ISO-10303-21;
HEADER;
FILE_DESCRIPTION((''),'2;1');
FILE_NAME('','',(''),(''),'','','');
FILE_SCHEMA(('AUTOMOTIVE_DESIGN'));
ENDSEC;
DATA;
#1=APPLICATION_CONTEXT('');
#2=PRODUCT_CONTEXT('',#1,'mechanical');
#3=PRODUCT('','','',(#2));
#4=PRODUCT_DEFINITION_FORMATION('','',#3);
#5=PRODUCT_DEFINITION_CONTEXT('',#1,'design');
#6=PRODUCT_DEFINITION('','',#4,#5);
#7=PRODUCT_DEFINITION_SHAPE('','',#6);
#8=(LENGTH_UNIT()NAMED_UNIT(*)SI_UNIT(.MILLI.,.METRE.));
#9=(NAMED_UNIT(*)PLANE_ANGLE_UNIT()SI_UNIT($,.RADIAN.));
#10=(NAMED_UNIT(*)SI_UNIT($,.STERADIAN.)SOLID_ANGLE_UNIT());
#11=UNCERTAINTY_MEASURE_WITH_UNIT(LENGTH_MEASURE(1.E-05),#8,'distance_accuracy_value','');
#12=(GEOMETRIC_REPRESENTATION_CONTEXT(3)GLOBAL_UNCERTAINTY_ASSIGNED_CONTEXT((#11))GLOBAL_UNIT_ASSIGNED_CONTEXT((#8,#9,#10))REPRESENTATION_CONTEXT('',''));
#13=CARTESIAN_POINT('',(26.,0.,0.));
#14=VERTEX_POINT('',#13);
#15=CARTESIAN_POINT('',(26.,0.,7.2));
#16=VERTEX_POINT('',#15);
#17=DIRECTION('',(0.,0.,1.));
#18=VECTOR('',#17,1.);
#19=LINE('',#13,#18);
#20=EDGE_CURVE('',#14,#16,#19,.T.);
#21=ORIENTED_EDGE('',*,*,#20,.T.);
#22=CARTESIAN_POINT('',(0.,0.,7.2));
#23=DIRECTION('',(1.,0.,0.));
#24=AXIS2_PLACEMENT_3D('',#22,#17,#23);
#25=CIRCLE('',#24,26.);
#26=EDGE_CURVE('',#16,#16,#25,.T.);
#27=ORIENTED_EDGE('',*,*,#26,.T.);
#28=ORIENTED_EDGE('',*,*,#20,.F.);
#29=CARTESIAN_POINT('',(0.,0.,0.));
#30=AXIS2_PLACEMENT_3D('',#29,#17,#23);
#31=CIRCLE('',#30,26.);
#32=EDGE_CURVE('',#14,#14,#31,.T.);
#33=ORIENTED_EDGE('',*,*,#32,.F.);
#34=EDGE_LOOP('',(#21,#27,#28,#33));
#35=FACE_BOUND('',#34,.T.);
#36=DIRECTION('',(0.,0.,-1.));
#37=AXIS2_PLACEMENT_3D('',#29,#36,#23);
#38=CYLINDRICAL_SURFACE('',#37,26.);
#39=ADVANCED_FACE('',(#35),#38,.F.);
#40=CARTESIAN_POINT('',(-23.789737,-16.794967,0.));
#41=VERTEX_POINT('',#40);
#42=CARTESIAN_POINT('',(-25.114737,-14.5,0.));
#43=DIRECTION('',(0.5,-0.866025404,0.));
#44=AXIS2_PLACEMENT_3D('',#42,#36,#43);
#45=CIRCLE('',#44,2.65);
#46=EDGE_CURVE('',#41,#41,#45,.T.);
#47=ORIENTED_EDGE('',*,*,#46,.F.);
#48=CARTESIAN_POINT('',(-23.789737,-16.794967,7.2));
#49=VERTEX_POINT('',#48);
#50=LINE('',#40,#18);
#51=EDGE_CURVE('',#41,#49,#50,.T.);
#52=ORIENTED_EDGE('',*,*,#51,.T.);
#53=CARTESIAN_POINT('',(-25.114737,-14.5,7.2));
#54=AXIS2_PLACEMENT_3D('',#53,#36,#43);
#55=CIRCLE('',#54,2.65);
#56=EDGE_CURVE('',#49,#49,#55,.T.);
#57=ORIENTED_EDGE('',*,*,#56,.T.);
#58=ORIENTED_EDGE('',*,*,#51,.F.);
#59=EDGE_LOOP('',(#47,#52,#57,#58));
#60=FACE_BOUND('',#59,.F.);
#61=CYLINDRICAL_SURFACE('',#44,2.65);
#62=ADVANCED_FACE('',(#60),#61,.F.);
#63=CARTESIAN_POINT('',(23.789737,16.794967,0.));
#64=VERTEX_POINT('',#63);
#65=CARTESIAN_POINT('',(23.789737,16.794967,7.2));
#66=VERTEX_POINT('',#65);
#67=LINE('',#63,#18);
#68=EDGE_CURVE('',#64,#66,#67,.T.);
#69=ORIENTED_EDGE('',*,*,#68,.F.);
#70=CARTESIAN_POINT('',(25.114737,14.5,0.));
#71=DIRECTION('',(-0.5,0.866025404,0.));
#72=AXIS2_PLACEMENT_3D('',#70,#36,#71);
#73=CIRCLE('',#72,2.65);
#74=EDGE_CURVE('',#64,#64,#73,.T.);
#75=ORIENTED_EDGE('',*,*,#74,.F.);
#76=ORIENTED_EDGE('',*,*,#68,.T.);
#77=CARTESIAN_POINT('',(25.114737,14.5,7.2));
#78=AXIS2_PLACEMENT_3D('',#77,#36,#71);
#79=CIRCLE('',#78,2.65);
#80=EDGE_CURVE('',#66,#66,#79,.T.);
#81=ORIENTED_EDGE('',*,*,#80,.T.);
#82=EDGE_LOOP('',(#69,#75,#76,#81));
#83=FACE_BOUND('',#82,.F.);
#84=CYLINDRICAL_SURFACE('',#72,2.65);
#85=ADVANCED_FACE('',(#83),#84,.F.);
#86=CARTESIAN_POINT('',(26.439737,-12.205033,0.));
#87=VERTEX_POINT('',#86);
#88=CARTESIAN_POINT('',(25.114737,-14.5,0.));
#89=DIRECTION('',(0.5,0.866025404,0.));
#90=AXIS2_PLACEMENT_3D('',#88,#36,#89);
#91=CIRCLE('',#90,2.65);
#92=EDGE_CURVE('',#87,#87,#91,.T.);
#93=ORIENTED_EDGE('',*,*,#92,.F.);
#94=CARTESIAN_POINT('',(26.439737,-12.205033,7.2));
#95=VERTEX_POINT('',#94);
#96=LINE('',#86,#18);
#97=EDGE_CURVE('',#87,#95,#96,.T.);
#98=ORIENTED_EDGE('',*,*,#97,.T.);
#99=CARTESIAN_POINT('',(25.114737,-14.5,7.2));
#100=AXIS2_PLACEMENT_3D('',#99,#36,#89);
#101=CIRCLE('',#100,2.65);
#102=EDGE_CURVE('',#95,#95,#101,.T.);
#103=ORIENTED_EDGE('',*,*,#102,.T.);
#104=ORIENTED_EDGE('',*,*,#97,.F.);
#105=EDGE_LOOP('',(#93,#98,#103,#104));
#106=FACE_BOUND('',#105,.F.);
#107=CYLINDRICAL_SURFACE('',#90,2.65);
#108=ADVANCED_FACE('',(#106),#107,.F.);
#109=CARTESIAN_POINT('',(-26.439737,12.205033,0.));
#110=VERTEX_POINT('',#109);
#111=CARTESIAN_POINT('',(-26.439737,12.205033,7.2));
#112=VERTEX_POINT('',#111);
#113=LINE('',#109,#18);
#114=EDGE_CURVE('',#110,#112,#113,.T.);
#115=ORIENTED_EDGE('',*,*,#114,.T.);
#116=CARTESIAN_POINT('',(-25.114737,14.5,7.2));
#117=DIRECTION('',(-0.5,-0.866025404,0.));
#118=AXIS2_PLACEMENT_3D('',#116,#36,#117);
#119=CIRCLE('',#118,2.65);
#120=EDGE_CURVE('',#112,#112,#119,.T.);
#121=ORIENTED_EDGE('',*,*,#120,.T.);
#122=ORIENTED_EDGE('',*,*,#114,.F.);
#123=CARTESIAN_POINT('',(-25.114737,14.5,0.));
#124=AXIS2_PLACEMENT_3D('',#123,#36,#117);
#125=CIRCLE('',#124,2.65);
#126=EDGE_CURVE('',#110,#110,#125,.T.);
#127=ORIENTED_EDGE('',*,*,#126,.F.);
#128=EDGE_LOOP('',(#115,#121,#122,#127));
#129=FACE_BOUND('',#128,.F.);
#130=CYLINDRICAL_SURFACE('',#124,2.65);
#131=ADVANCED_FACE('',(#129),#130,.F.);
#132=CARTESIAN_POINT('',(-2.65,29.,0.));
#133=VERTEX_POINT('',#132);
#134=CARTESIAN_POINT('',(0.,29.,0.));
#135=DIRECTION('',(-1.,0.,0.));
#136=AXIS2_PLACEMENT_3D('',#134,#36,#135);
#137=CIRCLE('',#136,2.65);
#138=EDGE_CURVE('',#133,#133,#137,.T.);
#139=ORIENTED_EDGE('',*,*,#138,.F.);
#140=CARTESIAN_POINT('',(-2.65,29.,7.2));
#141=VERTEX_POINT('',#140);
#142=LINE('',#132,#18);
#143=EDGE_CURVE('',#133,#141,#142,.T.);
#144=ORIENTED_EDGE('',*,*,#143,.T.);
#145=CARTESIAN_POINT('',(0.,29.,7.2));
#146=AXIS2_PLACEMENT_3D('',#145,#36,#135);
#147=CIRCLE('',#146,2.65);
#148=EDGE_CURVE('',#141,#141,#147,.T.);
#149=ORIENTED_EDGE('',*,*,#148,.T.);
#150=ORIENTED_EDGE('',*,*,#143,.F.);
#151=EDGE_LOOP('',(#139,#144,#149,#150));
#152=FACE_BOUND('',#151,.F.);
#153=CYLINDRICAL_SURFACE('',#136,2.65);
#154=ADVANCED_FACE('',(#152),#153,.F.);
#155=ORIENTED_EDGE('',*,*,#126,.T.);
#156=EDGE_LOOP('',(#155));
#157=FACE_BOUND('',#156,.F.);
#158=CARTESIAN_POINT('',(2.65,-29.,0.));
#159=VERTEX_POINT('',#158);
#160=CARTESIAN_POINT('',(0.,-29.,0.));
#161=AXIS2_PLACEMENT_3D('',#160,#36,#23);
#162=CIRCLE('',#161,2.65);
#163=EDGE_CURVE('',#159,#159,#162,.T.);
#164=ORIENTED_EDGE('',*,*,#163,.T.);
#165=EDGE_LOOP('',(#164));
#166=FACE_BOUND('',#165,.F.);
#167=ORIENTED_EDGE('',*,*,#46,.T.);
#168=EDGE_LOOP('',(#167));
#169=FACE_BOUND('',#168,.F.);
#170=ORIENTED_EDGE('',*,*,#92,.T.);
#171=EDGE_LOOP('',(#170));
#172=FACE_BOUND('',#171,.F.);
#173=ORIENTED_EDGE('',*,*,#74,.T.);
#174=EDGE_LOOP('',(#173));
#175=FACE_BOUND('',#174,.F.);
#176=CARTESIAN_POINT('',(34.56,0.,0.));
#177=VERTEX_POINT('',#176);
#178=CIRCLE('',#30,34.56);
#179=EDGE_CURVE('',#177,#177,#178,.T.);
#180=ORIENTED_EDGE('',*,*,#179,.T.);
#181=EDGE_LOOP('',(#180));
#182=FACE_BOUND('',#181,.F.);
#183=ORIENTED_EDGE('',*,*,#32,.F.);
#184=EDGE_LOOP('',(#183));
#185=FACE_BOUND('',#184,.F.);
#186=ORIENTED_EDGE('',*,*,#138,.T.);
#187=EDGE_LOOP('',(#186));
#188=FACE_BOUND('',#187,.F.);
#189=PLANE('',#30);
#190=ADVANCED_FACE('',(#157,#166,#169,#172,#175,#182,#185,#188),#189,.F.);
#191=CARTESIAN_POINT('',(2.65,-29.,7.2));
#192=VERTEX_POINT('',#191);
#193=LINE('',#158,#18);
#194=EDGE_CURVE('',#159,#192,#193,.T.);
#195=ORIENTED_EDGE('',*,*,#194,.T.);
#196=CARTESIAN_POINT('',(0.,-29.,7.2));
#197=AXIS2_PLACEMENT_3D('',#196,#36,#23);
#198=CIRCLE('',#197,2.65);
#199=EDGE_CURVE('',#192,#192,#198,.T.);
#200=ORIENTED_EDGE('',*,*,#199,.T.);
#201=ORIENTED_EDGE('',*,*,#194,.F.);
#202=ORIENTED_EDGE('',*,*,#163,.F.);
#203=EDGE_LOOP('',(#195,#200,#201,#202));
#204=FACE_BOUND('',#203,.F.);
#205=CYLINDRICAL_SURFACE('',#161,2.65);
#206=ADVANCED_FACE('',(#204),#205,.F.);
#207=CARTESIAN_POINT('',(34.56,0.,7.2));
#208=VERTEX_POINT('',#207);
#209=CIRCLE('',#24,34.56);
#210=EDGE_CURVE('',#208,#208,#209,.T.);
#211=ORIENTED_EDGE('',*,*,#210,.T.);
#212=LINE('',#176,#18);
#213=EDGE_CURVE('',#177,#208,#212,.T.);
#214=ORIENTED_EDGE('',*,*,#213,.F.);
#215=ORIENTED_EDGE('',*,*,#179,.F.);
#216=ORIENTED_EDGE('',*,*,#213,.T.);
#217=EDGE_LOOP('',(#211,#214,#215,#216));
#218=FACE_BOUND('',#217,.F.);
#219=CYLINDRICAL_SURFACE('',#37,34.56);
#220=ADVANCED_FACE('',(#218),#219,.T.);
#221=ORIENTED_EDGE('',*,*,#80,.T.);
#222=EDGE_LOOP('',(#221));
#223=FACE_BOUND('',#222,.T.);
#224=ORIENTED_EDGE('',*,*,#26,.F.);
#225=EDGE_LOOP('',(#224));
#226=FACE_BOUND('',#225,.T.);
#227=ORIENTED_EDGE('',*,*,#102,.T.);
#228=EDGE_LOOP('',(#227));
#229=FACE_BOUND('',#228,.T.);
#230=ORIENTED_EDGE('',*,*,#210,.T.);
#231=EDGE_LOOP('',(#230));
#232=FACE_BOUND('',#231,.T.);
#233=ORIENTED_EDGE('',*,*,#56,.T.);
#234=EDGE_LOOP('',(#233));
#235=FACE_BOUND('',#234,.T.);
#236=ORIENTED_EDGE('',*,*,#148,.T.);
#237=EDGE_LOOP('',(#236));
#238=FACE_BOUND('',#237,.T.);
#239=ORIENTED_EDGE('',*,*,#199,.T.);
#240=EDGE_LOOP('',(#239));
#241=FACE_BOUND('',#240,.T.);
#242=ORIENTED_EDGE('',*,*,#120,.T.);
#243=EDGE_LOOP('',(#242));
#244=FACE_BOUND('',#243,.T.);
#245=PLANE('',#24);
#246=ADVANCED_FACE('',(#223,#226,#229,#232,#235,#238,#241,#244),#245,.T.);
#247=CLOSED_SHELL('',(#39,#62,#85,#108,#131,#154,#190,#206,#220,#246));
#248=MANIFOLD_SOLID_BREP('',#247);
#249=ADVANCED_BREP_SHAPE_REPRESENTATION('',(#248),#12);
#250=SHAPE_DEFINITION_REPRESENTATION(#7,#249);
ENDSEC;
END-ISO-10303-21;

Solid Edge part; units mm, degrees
sketch "Sketch1" plane through (0, 0, 0) normal (0, 0, 1) x (1, 0, 0)
  circle A0 centre (0, 0) radius 34.56
  circle A1 centre (0, 0) radius 26
extrude "Protrusion1" add sketch "Sketch1" along normal blind 7.2
sketch "Sketch2" plane through (0, 0, 0) normal (0, 0, -1) x (-1, 0, 0)
  circle A0 centre (0, 29) radius 2.65
  dimension "D1" = 5.3
  dimension "D2" = 29
extrude "Hål_för_skruv" cut sketch "Sketch2" along normal mid plane 493.3012
pattern_circular "Pattern1" count 6 over 360 about axis through (0, 0, 0) along (0, 0, 1) of "Hål_för_skruv"
properties material "Steel"
